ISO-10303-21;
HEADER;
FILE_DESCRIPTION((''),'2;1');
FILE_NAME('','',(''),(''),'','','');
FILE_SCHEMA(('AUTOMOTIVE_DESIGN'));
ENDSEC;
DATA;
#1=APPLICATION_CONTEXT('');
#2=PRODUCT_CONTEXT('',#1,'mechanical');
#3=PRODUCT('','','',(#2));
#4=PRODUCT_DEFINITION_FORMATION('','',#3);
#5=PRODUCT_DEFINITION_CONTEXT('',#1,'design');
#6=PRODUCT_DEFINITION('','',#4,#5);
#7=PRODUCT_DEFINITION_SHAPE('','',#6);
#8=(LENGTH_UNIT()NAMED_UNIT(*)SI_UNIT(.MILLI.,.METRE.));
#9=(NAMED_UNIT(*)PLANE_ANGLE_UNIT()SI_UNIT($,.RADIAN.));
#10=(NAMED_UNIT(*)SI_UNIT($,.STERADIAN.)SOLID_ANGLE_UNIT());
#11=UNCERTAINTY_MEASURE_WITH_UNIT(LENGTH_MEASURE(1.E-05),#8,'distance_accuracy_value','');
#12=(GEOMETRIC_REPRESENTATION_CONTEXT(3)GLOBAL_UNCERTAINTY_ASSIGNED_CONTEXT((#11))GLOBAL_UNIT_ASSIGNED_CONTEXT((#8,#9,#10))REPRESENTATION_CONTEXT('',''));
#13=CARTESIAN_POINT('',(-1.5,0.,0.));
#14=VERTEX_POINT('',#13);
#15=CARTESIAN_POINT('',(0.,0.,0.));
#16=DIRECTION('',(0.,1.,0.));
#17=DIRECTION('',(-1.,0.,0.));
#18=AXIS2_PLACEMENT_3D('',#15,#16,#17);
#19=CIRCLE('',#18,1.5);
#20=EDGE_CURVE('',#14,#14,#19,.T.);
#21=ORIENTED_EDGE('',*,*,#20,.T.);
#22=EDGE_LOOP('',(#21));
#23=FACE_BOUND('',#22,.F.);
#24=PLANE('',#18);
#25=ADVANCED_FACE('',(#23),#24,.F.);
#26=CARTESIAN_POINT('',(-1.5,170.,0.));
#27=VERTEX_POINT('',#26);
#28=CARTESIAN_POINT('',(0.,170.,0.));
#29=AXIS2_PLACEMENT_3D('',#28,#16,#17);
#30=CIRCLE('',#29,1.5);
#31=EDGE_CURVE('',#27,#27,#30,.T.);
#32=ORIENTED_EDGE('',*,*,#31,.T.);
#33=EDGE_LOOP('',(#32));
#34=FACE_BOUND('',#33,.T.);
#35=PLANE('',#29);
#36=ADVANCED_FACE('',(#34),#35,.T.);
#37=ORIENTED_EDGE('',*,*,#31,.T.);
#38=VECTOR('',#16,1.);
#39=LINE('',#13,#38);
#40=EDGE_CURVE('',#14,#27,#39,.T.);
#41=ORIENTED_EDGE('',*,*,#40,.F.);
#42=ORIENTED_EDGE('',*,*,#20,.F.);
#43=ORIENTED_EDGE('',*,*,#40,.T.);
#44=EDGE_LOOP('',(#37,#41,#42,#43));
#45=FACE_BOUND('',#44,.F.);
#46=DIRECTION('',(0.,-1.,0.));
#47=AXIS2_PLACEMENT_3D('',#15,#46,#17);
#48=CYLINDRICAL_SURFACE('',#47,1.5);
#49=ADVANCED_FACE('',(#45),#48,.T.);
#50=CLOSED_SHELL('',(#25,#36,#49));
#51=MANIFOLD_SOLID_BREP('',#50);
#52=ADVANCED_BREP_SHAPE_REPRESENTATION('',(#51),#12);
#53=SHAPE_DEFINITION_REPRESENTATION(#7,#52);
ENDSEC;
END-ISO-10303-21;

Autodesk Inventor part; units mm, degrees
ref_plane "YZ Plane" through (0, 0, 0) normal (1, 0, 0) x (0, 1, 0)
ref_plane "XZ Plane" through (0, 0, 0) normal (0, 1, 0) x (-1, 0, 0)
ref_plane "XY Plane" through (0, 0, 0) normal (0, 0, 1) x (1, 0, 0)
sketch "Sketch1" plane through (0, 0, 0) normal (0, 1, 0) x (-1, 0, 0)
  circle A0 centre (0, 0) radius 1.5
  dimension "d0" = 3
extrude "Extrusion1" add sketch "Sketch1" along normal blind 170
thread "Thread1" size "M3x0.5" class "6g" standard "ISO Metric profile" length 10
properties part number "spokes"
